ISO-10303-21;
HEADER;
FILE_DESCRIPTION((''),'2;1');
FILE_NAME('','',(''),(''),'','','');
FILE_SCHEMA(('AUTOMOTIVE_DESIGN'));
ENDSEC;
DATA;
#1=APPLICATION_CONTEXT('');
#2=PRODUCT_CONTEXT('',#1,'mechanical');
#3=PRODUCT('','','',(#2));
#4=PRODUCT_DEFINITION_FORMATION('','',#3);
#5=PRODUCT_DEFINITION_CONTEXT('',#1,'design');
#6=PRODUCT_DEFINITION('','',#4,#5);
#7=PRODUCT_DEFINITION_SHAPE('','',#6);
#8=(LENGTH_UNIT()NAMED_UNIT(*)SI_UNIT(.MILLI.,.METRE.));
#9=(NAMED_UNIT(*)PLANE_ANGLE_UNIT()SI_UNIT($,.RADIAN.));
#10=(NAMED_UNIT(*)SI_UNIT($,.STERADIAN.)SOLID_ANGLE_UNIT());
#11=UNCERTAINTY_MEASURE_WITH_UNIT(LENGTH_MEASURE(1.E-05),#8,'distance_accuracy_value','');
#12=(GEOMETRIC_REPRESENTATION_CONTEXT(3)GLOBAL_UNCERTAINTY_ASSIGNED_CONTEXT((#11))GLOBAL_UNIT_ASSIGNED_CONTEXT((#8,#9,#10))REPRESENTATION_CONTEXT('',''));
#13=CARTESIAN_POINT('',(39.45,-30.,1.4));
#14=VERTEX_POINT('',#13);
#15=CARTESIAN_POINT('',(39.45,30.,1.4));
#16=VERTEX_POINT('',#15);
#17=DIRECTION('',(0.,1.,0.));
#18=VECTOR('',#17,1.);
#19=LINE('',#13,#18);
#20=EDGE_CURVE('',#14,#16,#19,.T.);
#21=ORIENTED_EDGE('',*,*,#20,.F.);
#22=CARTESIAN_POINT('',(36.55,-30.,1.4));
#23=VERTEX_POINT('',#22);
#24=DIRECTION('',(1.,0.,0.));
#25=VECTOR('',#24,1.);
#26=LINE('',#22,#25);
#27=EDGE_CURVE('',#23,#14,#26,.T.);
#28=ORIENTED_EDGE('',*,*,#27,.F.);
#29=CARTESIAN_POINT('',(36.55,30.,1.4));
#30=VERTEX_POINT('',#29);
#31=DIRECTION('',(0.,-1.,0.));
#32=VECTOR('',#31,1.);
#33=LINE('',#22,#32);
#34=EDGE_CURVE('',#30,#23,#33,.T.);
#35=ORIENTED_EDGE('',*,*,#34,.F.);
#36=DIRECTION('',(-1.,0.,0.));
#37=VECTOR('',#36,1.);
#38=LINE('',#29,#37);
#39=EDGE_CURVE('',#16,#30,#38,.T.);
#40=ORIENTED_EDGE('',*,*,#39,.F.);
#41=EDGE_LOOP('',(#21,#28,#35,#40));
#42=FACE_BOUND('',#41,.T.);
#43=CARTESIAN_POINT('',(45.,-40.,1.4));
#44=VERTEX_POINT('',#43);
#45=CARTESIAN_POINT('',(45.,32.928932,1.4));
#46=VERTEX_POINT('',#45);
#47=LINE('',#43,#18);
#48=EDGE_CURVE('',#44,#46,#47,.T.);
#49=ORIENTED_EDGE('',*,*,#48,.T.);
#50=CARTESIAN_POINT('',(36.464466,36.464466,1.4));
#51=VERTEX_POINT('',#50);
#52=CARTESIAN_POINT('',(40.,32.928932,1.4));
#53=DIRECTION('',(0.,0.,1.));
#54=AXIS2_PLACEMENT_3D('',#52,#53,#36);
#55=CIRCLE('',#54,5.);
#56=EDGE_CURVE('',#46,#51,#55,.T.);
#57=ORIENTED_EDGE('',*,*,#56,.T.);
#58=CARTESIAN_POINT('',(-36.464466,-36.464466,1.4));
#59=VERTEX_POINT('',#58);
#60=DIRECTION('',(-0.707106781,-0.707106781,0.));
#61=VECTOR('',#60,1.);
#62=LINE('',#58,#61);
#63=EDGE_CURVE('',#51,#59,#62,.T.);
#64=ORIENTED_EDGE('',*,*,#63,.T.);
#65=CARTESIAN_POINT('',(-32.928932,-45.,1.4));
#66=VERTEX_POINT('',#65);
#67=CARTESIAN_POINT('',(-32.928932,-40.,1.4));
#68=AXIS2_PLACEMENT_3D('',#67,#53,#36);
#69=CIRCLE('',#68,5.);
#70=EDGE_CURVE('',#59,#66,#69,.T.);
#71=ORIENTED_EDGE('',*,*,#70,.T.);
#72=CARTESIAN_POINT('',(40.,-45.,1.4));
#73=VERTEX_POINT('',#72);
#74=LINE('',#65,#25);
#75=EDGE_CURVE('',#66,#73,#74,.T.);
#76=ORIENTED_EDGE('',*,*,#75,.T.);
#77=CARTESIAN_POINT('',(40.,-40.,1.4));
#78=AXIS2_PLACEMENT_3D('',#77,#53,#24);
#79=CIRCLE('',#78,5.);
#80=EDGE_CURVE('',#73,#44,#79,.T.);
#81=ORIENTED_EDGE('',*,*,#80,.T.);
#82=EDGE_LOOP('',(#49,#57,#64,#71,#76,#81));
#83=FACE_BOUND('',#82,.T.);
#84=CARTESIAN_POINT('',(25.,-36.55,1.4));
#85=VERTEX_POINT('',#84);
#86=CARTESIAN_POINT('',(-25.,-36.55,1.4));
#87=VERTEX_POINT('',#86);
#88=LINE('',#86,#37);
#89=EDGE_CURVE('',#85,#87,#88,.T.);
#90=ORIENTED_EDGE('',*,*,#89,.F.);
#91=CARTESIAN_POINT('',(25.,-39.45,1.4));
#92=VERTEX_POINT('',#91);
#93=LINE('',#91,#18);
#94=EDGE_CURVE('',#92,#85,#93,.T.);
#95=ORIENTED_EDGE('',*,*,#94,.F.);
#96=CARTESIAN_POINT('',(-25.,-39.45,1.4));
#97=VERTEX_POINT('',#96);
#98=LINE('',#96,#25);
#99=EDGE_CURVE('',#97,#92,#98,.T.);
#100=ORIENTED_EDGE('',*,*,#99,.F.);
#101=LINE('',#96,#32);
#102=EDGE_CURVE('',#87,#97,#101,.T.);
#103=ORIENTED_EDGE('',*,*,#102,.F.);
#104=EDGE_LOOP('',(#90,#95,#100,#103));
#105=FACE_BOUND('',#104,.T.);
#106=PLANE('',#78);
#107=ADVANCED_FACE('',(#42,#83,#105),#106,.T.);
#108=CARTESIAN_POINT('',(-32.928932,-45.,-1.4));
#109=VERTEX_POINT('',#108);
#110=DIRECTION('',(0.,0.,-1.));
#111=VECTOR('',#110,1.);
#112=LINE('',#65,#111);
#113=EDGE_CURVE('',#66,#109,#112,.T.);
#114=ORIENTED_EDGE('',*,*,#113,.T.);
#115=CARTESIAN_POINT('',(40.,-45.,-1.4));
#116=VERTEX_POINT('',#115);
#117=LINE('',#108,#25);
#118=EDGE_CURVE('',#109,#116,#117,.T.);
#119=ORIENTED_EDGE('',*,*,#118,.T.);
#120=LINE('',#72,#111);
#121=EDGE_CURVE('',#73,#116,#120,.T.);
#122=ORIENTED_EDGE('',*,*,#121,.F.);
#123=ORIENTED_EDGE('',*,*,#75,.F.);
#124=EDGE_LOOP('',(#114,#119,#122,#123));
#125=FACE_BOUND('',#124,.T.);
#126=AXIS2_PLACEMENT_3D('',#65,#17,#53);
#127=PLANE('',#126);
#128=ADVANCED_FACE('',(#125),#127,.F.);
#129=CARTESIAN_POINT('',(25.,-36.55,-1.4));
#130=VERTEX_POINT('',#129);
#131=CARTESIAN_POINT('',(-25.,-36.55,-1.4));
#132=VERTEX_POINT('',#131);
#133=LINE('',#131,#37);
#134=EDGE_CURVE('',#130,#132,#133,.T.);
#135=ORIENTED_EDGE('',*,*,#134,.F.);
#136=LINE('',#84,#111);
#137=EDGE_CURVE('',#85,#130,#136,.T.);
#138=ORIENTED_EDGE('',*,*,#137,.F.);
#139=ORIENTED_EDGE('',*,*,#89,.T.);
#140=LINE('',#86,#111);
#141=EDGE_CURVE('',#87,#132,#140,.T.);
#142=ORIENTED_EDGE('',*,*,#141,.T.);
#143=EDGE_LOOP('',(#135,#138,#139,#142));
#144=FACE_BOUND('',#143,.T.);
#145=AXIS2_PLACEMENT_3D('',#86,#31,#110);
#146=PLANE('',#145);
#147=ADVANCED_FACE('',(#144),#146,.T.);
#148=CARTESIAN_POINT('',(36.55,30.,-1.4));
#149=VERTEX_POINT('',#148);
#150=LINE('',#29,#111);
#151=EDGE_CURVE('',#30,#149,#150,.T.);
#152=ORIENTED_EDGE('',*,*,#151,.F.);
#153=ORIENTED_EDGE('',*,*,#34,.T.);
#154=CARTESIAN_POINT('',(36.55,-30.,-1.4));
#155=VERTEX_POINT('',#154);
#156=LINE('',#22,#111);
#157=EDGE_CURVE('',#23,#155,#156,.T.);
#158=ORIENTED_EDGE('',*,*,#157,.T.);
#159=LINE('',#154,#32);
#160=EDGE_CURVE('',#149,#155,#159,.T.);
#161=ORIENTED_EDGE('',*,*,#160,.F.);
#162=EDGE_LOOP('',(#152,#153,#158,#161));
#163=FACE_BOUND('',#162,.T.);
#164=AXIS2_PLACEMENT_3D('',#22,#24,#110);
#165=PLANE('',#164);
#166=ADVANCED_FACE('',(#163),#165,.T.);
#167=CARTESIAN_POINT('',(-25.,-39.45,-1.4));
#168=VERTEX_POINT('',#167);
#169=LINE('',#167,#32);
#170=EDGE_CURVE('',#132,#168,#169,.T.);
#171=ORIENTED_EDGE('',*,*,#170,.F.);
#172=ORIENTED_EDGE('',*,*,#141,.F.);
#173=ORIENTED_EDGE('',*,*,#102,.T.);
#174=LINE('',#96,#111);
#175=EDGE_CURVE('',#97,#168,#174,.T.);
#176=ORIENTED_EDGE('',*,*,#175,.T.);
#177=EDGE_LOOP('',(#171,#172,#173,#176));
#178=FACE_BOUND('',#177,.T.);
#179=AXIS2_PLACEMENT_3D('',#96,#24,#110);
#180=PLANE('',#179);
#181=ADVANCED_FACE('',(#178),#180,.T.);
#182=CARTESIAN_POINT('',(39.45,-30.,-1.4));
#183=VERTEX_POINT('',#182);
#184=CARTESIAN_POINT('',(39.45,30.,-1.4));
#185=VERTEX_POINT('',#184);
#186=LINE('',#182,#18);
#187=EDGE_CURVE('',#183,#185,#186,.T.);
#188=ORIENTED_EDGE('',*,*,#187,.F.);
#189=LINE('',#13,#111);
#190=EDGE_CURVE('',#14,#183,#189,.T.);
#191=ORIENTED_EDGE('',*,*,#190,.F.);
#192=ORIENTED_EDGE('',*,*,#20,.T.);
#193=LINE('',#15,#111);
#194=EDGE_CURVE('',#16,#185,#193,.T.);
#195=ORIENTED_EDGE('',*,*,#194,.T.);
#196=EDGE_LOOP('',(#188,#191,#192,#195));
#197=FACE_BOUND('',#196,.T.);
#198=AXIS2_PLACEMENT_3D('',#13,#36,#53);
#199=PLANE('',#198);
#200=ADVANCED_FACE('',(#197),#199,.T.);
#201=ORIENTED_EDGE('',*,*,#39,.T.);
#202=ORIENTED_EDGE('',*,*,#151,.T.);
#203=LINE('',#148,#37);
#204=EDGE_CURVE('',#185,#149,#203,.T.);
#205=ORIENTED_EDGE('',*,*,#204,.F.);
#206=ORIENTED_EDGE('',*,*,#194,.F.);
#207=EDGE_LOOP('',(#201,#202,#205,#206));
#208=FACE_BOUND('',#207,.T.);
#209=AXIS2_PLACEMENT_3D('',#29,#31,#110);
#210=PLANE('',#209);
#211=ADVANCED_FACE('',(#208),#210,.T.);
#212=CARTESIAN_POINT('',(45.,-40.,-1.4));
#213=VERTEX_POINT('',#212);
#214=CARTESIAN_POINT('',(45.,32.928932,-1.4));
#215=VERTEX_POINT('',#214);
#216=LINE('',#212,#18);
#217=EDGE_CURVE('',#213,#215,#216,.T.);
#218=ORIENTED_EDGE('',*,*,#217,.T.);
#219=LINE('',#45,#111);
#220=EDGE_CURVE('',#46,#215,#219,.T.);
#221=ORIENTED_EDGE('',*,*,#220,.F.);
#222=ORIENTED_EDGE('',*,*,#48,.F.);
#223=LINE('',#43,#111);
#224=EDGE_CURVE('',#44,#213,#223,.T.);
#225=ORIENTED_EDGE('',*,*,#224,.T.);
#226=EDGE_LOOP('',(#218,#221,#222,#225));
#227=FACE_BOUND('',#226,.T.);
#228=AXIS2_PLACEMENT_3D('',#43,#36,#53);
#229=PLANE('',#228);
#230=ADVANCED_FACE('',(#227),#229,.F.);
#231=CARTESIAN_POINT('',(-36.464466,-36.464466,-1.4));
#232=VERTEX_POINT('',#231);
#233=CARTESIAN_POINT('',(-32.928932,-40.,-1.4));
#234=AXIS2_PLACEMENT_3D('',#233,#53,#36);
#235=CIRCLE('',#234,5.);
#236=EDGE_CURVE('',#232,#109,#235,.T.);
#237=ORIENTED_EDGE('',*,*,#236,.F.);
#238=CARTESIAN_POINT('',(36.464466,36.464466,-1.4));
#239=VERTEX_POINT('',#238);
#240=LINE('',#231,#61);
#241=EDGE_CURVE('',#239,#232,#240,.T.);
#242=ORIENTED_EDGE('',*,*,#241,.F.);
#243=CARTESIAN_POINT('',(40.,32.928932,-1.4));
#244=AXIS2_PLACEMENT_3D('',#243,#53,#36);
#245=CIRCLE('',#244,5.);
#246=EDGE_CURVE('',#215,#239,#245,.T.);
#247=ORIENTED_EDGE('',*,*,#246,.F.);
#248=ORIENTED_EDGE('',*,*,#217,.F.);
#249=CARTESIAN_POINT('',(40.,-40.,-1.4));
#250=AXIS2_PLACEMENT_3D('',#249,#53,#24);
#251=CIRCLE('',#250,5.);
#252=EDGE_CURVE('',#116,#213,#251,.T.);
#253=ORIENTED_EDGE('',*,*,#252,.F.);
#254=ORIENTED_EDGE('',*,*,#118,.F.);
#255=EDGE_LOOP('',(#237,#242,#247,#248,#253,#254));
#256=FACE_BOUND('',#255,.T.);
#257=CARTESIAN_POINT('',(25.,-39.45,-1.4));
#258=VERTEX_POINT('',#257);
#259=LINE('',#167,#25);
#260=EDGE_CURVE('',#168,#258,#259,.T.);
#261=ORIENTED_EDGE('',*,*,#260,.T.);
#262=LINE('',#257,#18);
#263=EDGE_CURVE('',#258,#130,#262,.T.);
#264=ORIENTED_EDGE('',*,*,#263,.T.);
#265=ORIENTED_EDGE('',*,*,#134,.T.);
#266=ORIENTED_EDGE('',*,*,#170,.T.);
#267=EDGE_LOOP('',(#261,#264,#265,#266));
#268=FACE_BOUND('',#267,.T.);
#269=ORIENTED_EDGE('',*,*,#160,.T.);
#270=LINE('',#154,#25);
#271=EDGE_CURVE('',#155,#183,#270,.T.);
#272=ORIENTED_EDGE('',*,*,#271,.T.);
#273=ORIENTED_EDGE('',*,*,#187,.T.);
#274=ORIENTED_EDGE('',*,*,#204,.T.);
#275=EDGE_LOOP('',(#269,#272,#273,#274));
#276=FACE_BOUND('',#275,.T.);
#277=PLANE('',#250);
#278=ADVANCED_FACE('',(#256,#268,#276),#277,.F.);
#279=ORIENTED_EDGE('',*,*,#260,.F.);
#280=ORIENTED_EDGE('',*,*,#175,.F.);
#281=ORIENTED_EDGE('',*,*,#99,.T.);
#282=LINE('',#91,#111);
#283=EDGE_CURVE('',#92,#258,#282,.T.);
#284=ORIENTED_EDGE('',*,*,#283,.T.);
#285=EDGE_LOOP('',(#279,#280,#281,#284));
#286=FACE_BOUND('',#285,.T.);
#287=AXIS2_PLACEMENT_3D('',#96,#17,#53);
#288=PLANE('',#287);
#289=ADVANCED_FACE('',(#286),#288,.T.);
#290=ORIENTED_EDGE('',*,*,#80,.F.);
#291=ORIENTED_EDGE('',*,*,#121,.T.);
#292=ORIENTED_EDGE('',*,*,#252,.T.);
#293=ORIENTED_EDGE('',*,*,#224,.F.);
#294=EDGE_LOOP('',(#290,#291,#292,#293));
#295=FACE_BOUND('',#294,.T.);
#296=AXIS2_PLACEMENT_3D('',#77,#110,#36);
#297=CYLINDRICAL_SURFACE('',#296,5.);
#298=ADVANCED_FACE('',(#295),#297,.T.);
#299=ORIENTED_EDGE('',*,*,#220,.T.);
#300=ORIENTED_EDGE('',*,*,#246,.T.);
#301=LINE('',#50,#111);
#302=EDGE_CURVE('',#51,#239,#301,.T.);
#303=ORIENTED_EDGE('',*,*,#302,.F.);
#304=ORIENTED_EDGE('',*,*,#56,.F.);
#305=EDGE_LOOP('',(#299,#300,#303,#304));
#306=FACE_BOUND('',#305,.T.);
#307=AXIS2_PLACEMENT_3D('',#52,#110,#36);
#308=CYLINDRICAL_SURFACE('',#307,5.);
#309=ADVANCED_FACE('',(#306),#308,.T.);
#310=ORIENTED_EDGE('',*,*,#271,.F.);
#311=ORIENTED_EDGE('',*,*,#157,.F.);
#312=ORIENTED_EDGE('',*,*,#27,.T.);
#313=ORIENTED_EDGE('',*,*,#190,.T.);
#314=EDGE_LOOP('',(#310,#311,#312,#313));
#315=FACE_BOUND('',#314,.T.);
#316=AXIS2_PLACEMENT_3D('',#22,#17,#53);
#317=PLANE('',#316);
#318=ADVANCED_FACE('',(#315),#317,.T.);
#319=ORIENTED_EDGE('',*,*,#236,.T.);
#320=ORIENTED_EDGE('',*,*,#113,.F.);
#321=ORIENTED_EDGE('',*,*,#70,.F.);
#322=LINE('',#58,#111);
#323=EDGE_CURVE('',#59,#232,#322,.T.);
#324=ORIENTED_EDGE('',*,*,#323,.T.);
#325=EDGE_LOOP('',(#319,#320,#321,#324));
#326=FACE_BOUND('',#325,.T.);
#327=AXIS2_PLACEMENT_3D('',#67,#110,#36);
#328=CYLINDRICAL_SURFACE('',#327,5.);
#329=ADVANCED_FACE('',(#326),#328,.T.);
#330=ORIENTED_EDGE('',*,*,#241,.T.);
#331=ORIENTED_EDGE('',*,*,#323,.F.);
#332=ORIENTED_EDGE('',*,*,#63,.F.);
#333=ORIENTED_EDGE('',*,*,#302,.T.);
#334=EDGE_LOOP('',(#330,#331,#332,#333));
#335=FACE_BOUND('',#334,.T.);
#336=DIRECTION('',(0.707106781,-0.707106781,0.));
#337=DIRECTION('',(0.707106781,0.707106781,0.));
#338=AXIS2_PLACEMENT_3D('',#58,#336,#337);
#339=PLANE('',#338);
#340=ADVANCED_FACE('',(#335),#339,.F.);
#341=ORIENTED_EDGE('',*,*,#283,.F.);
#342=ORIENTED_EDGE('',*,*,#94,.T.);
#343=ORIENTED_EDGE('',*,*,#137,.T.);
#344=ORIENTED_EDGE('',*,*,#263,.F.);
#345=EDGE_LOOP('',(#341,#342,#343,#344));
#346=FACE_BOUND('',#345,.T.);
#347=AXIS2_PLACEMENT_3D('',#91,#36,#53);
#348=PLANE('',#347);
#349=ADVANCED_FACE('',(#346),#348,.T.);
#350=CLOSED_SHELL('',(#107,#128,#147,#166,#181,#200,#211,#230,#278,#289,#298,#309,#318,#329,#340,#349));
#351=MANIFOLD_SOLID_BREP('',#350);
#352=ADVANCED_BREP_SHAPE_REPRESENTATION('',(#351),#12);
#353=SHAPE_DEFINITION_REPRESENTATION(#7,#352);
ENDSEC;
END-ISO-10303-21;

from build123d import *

# Parameters (mm, degrees)
SKETCH_1_W      = 2.9
SKETCH_1_H      = 60
SKETCH_1_W_2    = 50
SKETCH_1_H_2    = 2.9
EXTRUDE_1_DEPTH = 1.4


with BuildPart() as part:
    # Эскиз1 → Бобышка-Вытянуть1 (new, symmetric)
    with BuildSketch(Plane.XY):
        with BuildLine():
            Line((-36.464466094, -36.464466094), (36.464466094, 36.464466094))
            ThreePointArc((36.464466094, 36.464466094), (41.913417162, 37.548329851), (45, 32.928932188))
            Line((45, 32.928932188), (45, -40))
            ThreePointArc((45, -40), (43.535533906, -43.535533906), (40, -45))
            Line((40, -45), (-32.928932188, -45))
            ThreePointArc((-32.928932188, -45), (-37.548329851, -41.913417162), (-36.464466094, -36.464466094))
        make_face()
        with Locations((38, 0)):
            Rectangle(SKETCH_1_W, SKETCH_1_H, mode=Mode.SUBTRACT)
        with Locations((0, -38)):
            Rectangle(SKETCH_1_W_2, SKETCH_1_H_2, mode=Mode.SUBTRACT)
    extrude(amount=EXTRUDE_1_DEPTH, both=True)


solid = part.part
